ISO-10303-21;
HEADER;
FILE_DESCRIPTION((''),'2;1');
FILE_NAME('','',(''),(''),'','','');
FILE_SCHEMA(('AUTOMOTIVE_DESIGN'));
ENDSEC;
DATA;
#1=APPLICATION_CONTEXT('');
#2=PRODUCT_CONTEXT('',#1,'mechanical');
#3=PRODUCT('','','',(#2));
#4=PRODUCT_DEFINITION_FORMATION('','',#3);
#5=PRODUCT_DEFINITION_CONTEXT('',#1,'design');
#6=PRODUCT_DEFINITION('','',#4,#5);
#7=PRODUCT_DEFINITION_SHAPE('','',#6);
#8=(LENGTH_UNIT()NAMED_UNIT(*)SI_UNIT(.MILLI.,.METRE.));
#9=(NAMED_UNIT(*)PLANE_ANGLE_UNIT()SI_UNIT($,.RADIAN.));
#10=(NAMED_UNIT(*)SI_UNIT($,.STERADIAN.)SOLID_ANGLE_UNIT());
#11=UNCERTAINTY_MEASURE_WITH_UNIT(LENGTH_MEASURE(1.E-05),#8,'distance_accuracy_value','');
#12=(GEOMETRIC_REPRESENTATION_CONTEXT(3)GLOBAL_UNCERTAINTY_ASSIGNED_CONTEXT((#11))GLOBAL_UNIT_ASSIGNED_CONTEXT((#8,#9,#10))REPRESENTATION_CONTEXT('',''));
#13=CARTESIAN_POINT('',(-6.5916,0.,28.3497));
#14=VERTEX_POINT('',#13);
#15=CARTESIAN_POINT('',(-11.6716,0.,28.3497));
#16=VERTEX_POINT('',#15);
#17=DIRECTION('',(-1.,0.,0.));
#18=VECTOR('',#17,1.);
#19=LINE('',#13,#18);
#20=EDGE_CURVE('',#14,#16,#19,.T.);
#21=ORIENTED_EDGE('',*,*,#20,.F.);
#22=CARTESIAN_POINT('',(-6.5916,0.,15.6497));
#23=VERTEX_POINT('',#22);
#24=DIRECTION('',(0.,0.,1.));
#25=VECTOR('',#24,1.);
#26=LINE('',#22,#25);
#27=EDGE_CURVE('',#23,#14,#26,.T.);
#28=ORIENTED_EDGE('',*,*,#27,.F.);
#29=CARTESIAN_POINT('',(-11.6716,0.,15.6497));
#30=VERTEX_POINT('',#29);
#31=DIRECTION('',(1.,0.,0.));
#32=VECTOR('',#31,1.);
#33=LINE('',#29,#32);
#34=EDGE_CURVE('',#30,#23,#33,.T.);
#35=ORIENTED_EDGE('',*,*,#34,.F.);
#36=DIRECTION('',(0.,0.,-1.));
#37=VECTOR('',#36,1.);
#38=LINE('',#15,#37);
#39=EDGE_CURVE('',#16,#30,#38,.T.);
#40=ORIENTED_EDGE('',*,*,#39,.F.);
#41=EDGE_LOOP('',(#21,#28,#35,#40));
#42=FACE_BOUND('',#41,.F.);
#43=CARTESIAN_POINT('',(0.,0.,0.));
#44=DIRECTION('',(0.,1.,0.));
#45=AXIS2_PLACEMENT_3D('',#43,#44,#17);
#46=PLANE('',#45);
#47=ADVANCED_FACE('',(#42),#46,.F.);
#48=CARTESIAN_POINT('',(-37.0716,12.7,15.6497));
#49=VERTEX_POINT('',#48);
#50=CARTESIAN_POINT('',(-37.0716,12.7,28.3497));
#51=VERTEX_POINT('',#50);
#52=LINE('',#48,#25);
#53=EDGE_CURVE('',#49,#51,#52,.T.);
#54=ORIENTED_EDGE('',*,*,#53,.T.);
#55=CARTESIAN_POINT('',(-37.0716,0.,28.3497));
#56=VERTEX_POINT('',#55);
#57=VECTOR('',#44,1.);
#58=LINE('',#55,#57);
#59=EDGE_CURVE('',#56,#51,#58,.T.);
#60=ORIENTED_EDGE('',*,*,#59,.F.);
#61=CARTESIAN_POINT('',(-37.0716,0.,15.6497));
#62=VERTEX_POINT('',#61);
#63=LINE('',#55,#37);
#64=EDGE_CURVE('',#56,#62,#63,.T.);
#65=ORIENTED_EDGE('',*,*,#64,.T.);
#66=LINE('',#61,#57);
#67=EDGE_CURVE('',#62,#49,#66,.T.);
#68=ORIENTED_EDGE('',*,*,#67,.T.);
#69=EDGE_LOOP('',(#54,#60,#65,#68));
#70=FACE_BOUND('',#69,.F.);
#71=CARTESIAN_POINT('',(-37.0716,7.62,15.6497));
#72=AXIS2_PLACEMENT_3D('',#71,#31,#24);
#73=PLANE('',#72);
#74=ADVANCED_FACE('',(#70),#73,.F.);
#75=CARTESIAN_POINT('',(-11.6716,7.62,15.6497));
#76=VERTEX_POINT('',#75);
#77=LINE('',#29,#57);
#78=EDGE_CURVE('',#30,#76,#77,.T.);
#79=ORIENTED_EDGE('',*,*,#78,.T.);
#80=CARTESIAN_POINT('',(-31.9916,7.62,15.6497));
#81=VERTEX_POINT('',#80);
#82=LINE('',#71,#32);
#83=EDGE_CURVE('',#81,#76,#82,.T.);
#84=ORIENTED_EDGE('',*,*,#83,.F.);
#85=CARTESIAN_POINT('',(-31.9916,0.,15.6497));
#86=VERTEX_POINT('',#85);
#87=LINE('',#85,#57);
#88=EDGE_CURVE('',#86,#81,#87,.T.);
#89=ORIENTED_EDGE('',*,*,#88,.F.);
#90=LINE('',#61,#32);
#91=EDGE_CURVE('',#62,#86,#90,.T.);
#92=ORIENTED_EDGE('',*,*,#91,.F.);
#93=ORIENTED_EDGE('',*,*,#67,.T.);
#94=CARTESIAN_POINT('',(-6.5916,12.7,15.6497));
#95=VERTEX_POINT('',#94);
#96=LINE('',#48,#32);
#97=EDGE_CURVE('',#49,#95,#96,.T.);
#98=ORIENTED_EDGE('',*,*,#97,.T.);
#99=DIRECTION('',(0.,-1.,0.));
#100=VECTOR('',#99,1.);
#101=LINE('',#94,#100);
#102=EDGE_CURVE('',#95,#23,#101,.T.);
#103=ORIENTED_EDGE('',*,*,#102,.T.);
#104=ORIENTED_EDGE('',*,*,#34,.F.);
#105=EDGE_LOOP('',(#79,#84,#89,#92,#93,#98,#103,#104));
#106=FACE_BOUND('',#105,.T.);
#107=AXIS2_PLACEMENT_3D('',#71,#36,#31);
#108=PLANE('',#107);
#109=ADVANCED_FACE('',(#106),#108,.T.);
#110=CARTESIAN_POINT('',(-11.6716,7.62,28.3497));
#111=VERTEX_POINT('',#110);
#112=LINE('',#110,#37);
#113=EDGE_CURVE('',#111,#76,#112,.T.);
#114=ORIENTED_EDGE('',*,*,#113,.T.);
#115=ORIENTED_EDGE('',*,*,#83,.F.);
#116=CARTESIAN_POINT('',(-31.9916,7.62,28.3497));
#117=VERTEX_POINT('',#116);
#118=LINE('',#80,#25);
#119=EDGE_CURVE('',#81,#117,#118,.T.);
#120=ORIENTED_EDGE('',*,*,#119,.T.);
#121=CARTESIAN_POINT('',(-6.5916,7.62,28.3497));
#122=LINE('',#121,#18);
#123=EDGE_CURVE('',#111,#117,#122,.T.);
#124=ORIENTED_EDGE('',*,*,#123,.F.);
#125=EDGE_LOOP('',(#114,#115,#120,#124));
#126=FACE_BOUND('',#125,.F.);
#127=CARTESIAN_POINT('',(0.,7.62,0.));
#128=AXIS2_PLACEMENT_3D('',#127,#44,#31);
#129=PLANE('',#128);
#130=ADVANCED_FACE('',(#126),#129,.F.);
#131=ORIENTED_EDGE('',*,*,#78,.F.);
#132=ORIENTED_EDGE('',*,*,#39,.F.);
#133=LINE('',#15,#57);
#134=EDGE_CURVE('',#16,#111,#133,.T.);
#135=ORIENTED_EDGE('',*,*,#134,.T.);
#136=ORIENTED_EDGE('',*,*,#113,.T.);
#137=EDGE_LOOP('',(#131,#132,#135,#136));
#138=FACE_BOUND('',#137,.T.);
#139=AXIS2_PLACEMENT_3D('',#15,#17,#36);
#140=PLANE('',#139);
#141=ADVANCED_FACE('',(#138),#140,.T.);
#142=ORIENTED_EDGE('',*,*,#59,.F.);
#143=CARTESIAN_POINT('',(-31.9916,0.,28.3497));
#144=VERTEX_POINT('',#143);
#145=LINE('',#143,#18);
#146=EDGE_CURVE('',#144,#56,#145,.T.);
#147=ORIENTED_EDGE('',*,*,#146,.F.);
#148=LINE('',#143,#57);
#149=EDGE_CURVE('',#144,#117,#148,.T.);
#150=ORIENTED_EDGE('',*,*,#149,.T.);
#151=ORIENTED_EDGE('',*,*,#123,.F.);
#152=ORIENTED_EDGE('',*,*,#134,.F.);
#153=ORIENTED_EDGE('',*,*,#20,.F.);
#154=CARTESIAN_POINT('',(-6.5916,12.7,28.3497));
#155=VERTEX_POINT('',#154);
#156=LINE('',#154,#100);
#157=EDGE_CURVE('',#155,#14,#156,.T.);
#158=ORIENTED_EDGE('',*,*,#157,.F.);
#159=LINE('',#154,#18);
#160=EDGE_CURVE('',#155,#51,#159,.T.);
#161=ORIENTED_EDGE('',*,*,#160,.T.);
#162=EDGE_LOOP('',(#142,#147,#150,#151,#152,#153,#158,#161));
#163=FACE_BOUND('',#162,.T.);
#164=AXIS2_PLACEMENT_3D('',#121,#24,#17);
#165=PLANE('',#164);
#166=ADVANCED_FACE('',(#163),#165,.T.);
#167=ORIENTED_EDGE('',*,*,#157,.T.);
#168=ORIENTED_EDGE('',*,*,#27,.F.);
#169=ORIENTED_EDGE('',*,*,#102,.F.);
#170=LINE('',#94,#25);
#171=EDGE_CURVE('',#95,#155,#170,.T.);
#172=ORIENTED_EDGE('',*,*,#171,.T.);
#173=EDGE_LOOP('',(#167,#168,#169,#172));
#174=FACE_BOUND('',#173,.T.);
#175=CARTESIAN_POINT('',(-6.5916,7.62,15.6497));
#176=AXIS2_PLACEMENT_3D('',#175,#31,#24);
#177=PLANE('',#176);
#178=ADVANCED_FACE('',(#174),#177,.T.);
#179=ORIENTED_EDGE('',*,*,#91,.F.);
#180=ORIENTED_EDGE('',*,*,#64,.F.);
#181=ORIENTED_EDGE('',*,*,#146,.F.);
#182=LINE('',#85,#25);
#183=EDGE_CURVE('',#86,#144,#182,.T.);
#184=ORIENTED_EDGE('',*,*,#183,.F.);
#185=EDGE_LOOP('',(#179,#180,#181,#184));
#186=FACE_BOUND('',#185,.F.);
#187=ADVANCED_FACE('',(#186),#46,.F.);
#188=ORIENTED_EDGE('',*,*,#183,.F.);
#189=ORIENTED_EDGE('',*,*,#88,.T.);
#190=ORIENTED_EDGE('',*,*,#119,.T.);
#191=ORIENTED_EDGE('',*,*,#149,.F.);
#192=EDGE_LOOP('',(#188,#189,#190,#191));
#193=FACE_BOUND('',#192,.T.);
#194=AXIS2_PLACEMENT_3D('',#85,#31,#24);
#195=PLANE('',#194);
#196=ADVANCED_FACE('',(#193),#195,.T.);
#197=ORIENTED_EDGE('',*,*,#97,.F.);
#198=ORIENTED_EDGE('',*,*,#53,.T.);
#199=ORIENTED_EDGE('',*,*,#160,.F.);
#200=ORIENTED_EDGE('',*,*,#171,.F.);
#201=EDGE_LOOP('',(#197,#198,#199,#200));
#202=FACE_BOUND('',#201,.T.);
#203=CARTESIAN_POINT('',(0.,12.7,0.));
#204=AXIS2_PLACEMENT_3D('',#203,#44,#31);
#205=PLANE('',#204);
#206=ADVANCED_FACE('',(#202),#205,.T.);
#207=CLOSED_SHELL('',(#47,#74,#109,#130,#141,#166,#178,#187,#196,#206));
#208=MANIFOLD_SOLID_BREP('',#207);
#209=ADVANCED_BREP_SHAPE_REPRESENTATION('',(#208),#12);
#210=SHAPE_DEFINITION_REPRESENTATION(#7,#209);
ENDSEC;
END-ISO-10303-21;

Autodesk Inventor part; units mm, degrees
ref_plane "YZ Plane" through (0, 0, 0) normal (1, 0, 0) x (0, 1, 0)
ref_plane "XZ Plane" through (0, 0, 0) normal (0, 1, 0) x (-1, 0, 0)
ref_plane "XY Plane" through (0, 0, 0) normal (0, 0, 1) x (1, 0, 0)
sketch "Sketch1" plane through (0, 0, 0) normal (0, 1, 0) x (-1, 0, 0)
  line L0 (-26.4284, 51.2097) -> (59.9316, 51.2097)
  line L1 (31.9916, 28.3497) -> (37.0716, 28.3497)
  line L2 (37.0716, 28.3497) -> (37.0716, 15.6497)
  line L3 (37.0716, 15.6497) -> (31.9916, 15.6497)
  line L4 (31.9916, 15.6497) -> (31.9916, 28.3497)
  line L5 (31.9916, 28.3497) -> (37.0716, 15.6497) construction
  line L6 (37.0716, 28.3497) -> (31.9916, 15.6497) construction
  line L7 (34.5316, 51.2097) -> (34.5316, -7.2103) construction
  line L8 (59.9316, -7.2103) -> (-26.4284, -7.2103) construction
  line L9 (9.1316, 51.2097) -> (9.1316, -7.2103) construction
  line L10 (6.5916, 28.3497) -> (11.6716, 28.3497)
  line L11 (11.6716, 28.3497) -> (11.6716, 15.6497)
  line L12 (11.6716, 15.6497) -> (6.5916, 15.6497)
  line L13 (6.5916, 15.6497) -> (6.5916, 28.3497)
  line L14 (6.5916, 28.3497) -> (11.6716, 15.6497) construction
  line L15 (11.6716, 28.3497) -> (6.5916, 15.6497) construction
  point P0 (0, 0)
  point P1 (34.5316, 21.9997)
  point P2 (34.5316, 21.9997)
  point P3 (9.1316, 21.9997)
  point P4 (9.1316, 21.9997)
  dimension "d4" = 12.7
  dimension "d5" = 5.08
  dimension "d7" = 25.4
extrude "Extrusion1" add sketch "Sketch1" along normal blind 7.62
sketch "Sketch3" plane through (0, 7.62, 0) normal (0, 1, 0) x (1, 0, 0)
  line L0 (-37.0716, -15.6497) -> (-37.0716, -28.3497) projected
  line L1 (-6.5916, -15.6497) -> (-6.5916, -28.3497) projected
  line L2 (-37.0716, -15.6497) -> (-6.5916, -15.6497)
  line L3 (-6.5916, -15.6497) -> (-6.5916, -28.3497)
  line L4 (-6.5916, -28.3497) -> (-37.0716, -28.3497)
  line L5 (-37.0716, -28.3497) -> (-37.0716, -15.6497)
  point P0 (0, 0)
extrude "Extrusion2" add sketch "Sketch3" along normal blind 5.08
properties part number "Cpiece"
